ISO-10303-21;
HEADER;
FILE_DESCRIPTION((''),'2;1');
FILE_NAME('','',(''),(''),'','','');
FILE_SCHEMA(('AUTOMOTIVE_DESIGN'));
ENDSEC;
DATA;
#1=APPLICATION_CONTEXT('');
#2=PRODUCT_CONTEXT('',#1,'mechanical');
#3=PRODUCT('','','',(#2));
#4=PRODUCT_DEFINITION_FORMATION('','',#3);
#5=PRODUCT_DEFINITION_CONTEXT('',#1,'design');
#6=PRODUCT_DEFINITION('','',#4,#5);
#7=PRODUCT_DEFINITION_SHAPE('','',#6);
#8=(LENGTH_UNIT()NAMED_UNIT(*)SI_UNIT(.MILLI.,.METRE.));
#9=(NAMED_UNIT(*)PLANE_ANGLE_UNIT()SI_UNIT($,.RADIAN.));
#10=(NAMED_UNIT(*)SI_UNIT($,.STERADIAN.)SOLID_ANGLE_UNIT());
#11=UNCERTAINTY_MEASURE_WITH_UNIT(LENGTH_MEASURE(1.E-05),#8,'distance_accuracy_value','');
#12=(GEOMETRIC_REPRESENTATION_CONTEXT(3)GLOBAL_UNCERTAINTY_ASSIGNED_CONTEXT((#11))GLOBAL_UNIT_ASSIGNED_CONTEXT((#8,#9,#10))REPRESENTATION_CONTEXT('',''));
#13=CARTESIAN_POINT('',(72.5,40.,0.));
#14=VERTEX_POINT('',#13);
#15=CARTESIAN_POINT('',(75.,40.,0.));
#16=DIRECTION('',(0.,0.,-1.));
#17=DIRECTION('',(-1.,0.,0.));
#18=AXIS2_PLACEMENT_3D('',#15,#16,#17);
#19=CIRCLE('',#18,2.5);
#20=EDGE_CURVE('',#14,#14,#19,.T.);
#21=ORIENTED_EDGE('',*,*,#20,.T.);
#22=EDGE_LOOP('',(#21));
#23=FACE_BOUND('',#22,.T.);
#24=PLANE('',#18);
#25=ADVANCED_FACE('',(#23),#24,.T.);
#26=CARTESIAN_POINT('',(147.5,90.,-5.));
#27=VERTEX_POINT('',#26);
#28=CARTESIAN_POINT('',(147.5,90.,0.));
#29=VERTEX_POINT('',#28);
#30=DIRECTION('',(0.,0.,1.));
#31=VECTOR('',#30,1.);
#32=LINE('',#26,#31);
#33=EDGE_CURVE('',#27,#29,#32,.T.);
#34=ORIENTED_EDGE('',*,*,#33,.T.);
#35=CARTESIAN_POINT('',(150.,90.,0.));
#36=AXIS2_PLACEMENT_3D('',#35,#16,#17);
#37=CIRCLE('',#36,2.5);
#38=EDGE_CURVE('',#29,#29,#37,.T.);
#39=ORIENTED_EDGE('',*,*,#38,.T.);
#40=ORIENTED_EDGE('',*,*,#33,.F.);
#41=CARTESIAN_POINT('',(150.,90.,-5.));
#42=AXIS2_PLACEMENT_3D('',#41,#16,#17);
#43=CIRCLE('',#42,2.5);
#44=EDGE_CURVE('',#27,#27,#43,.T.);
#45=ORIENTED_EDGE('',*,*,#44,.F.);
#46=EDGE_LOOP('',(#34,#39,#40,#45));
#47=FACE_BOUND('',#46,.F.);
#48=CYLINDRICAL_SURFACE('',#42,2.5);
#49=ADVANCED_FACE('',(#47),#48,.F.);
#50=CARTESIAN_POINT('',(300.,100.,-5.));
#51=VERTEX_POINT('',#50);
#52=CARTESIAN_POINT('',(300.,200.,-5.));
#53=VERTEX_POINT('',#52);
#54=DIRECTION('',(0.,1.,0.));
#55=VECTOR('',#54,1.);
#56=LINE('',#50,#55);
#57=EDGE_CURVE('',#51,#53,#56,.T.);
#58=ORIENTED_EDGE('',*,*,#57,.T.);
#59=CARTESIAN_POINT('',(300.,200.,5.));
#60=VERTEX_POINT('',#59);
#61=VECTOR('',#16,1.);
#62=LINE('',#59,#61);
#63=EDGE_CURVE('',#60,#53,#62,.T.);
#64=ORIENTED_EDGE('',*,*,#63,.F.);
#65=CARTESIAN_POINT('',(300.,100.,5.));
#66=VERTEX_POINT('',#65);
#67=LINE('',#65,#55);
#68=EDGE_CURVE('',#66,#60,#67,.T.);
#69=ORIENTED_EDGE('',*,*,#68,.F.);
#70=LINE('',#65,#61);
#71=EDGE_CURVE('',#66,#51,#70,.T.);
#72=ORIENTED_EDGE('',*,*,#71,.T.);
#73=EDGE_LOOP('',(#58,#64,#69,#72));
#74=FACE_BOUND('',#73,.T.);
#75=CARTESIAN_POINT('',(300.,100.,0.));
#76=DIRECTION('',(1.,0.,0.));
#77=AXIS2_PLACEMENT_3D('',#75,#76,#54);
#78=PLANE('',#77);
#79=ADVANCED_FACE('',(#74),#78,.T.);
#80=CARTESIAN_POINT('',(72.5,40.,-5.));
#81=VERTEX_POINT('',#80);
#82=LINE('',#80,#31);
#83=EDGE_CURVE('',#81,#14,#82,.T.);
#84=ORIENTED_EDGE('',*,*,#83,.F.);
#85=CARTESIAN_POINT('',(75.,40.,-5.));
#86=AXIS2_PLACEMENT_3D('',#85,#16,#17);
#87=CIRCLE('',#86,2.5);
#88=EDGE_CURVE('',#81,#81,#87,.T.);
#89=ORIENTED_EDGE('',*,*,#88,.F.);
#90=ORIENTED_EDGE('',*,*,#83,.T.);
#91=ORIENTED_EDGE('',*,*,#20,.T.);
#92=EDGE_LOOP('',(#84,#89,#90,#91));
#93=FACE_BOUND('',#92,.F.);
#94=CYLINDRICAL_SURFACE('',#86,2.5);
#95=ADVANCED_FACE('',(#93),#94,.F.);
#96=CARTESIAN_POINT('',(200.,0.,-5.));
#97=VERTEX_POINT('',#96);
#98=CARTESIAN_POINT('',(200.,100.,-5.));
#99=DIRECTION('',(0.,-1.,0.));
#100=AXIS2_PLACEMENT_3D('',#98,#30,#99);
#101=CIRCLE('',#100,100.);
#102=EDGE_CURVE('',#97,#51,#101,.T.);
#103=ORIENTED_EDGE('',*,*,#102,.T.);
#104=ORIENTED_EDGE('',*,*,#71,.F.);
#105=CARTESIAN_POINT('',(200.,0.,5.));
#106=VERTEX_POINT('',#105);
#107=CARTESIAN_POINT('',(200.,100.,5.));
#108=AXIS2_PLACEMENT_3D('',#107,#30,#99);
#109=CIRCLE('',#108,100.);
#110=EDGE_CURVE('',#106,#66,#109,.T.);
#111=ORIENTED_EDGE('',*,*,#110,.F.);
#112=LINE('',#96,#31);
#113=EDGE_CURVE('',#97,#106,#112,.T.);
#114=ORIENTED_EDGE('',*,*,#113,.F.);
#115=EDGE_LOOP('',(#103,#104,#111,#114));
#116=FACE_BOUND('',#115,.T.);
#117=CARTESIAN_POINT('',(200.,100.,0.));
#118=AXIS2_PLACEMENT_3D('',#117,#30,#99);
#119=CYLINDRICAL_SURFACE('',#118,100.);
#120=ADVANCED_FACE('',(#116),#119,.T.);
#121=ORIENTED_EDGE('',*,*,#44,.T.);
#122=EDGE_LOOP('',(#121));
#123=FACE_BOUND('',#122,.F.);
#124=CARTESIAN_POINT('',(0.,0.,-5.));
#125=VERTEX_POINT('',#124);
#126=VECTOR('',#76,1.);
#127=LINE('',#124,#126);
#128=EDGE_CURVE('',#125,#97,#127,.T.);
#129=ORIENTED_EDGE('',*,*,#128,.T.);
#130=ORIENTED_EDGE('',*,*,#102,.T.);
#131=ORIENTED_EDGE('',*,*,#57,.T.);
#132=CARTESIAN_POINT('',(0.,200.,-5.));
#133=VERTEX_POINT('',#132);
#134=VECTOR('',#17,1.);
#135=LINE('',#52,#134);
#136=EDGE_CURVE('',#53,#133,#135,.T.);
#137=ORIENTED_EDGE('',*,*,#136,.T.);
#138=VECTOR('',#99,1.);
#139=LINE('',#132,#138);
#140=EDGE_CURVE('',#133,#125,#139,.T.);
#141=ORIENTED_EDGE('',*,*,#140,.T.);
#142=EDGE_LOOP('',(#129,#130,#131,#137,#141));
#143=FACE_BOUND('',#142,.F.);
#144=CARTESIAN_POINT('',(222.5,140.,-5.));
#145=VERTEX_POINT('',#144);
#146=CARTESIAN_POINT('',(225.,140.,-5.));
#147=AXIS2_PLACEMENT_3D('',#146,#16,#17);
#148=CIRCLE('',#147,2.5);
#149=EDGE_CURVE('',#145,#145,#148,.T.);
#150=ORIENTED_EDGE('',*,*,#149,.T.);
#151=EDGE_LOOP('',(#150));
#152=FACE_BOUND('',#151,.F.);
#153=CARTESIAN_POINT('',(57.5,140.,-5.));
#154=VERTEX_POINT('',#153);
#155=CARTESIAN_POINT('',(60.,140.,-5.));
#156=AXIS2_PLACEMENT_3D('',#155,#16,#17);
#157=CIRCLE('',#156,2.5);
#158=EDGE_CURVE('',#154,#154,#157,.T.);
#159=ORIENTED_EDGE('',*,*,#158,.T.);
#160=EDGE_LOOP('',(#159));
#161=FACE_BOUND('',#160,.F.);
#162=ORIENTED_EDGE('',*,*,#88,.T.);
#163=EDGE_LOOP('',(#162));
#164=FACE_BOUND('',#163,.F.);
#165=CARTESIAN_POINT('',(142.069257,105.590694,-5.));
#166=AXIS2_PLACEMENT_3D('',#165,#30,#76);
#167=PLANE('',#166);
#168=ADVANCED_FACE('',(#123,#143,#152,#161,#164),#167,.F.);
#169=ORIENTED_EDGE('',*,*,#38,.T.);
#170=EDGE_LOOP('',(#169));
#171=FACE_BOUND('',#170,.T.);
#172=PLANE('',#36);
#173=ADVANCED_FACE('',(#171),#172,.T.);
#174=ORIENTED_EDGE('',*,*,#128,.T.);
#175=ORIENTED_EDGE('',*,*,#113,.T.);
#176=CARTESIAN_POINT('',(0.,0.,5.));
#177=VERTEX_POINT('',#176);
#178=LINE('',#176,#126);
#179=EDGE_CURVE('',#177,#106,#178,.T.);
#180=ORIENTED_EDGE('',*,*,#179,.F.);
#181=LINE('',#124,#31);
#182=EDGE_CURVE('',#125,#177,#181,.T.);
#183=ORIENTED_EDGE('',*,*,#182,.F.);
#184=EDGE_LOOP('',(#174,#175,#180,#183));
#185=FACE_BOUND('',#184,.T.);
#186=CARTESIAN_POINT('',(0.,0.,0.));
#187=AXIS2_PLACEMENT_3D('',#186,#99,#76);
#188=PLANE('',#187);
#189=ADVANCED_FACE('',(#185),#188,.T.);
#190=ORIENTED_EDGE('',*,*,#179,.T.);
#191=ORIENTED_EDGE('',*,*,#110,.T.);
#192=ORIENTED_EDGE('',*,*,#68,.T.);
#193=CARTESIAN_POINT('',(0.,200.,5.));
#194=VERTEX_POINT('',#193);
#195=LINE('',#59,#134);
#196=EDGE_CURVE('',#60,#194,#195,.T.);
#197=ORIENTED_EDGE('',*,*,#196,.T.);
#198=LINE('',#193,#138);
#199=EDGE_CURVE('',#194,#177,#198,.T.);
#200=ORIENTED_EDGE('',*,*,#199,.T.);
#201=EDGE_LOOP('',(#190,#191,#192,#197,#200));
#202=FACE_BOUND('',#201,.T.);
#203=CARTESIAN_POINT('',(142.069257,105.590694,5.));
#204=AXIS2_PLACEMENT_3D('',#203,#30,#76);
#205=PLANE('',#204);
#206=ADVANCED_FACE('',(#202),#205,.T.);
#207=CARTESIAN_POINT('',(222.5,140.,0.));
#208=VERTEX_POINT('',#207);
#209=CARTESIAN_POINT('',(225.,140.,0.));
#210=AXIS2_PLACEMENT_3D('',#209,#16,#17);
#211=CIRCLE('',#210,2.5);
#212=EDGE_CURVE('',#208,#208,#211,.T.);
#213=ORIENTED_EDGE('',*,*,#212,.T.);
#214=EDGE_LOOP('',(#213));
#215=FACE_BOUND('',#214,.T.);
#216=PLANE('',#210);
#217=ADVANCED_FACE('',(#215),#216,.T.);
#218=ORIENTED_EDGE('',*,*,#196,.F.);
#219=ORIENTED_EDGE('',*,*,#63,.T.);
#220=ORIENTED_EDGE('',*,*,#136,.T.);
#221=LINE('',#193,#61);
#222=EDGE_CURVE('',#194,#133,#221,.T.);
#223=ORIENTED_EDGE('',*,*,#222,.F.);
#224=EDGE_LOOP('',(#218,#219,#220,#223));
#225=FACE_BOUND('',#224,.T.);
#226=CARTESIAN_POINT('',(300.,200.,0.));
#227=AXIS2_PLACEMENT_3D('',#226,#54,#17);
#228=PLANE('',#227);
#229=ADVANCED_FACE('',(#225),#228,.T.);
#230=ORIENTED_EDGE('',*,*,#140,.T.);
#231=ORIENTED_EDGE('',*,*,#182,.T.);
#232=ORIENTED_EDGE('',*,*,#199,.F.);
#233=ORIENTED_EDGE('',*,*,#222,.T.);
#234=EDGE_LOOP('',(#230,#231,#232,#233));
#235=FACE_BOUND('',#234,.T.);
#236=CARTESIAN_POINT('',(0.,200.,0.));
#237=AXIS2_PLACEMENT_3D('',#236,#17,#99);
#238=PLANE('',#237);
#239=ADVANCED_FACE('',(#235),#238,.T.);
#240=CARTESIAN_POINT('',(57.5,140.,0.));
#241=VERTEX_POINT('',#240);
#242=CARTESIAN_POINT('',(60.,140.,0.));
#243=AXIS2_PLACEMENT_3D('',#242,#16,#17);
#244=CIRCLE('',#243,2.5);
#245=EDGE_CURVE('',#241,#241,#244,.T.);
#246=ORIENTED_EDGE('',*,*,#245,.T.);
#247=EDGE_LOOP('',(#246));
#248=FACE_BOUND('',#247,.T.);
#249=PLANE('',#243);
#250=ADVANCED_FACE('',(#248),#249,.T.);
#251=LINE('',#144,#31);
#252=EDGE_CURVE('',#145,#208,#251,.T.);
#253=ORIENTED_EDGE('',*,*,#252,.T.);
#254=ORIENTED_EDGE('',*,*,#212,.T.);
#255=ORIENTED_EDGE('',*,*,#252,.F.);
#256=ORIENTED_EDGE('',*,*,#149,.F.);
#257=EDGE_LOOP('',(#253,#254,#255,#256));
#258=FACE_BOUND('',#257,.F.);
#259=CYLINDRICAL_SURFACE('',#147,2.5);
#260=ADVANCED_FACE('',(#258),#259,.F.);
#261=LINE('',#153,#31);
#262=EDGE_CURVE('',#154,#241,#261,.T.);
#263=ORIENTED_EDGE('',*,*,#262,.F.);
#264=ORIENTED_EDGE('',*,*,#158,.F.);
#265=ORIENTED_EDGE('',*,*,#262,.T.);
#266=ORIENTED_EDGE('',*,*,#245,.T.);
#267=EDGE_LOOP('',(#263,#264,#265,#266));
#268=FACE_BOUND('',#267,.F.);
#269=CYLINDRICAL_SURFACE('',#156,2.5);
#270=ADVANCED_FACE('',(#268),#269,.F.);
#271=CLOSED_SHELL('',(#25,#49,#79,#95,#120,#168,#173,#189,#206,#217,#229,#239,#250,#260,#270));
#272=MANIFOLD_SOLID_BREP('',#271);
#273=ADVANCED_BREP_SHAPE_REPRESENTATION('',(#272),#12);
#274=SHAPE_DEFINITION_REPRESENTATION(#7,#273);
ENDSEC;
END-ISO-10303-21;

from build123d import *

# Parameters (mm, degrees)
BOSS_EXTRUDE1_DEPTH = 5
SKETCH6_R           = 2.5
CUT_EXTRUDE1_DEPTH  = 5


with BuildPart() as part:
    # Sketch1 → Boss-Extrude1 (new body, symmetric)
    with BuildSketch(Plane.XY):
        with BuildLine():
            Line((0, 200), (0, 0))
            Line((0, 0), (200, 0))
            ThreePointArc((200, 0), (270.710678119, 29.289321881), (300, 100))
            Line((300, 100), (300, 200))
            Line((300, 200), (0, 200))
        make_face()
    extrude(amount=BOSS_EXTRUDE1_DEPTH, both=True)

    # Sketch6 → Cut-Extrude1 (cut)
    with BuildSketch(Plane(origin=(0, 0, -5), x_dir=(-1, 0, 0), z_dir=(0, 0, -1))):
        with Locations((-225, 140)):
            Circle(SKETCH6_R)
        with Locations((-150, 90)):
            Circle(SKETCH6_R)
        with Locations((-60, 140)):
            Circle(SKETCH6_R)
        with Locations((-75, 40)):
            Circle(SKETCH6_R)
    extrude(amount=-CUT_EXTRUDE1_DEPTH, mode=Mode.SUBTRACT)


solid = part.part
